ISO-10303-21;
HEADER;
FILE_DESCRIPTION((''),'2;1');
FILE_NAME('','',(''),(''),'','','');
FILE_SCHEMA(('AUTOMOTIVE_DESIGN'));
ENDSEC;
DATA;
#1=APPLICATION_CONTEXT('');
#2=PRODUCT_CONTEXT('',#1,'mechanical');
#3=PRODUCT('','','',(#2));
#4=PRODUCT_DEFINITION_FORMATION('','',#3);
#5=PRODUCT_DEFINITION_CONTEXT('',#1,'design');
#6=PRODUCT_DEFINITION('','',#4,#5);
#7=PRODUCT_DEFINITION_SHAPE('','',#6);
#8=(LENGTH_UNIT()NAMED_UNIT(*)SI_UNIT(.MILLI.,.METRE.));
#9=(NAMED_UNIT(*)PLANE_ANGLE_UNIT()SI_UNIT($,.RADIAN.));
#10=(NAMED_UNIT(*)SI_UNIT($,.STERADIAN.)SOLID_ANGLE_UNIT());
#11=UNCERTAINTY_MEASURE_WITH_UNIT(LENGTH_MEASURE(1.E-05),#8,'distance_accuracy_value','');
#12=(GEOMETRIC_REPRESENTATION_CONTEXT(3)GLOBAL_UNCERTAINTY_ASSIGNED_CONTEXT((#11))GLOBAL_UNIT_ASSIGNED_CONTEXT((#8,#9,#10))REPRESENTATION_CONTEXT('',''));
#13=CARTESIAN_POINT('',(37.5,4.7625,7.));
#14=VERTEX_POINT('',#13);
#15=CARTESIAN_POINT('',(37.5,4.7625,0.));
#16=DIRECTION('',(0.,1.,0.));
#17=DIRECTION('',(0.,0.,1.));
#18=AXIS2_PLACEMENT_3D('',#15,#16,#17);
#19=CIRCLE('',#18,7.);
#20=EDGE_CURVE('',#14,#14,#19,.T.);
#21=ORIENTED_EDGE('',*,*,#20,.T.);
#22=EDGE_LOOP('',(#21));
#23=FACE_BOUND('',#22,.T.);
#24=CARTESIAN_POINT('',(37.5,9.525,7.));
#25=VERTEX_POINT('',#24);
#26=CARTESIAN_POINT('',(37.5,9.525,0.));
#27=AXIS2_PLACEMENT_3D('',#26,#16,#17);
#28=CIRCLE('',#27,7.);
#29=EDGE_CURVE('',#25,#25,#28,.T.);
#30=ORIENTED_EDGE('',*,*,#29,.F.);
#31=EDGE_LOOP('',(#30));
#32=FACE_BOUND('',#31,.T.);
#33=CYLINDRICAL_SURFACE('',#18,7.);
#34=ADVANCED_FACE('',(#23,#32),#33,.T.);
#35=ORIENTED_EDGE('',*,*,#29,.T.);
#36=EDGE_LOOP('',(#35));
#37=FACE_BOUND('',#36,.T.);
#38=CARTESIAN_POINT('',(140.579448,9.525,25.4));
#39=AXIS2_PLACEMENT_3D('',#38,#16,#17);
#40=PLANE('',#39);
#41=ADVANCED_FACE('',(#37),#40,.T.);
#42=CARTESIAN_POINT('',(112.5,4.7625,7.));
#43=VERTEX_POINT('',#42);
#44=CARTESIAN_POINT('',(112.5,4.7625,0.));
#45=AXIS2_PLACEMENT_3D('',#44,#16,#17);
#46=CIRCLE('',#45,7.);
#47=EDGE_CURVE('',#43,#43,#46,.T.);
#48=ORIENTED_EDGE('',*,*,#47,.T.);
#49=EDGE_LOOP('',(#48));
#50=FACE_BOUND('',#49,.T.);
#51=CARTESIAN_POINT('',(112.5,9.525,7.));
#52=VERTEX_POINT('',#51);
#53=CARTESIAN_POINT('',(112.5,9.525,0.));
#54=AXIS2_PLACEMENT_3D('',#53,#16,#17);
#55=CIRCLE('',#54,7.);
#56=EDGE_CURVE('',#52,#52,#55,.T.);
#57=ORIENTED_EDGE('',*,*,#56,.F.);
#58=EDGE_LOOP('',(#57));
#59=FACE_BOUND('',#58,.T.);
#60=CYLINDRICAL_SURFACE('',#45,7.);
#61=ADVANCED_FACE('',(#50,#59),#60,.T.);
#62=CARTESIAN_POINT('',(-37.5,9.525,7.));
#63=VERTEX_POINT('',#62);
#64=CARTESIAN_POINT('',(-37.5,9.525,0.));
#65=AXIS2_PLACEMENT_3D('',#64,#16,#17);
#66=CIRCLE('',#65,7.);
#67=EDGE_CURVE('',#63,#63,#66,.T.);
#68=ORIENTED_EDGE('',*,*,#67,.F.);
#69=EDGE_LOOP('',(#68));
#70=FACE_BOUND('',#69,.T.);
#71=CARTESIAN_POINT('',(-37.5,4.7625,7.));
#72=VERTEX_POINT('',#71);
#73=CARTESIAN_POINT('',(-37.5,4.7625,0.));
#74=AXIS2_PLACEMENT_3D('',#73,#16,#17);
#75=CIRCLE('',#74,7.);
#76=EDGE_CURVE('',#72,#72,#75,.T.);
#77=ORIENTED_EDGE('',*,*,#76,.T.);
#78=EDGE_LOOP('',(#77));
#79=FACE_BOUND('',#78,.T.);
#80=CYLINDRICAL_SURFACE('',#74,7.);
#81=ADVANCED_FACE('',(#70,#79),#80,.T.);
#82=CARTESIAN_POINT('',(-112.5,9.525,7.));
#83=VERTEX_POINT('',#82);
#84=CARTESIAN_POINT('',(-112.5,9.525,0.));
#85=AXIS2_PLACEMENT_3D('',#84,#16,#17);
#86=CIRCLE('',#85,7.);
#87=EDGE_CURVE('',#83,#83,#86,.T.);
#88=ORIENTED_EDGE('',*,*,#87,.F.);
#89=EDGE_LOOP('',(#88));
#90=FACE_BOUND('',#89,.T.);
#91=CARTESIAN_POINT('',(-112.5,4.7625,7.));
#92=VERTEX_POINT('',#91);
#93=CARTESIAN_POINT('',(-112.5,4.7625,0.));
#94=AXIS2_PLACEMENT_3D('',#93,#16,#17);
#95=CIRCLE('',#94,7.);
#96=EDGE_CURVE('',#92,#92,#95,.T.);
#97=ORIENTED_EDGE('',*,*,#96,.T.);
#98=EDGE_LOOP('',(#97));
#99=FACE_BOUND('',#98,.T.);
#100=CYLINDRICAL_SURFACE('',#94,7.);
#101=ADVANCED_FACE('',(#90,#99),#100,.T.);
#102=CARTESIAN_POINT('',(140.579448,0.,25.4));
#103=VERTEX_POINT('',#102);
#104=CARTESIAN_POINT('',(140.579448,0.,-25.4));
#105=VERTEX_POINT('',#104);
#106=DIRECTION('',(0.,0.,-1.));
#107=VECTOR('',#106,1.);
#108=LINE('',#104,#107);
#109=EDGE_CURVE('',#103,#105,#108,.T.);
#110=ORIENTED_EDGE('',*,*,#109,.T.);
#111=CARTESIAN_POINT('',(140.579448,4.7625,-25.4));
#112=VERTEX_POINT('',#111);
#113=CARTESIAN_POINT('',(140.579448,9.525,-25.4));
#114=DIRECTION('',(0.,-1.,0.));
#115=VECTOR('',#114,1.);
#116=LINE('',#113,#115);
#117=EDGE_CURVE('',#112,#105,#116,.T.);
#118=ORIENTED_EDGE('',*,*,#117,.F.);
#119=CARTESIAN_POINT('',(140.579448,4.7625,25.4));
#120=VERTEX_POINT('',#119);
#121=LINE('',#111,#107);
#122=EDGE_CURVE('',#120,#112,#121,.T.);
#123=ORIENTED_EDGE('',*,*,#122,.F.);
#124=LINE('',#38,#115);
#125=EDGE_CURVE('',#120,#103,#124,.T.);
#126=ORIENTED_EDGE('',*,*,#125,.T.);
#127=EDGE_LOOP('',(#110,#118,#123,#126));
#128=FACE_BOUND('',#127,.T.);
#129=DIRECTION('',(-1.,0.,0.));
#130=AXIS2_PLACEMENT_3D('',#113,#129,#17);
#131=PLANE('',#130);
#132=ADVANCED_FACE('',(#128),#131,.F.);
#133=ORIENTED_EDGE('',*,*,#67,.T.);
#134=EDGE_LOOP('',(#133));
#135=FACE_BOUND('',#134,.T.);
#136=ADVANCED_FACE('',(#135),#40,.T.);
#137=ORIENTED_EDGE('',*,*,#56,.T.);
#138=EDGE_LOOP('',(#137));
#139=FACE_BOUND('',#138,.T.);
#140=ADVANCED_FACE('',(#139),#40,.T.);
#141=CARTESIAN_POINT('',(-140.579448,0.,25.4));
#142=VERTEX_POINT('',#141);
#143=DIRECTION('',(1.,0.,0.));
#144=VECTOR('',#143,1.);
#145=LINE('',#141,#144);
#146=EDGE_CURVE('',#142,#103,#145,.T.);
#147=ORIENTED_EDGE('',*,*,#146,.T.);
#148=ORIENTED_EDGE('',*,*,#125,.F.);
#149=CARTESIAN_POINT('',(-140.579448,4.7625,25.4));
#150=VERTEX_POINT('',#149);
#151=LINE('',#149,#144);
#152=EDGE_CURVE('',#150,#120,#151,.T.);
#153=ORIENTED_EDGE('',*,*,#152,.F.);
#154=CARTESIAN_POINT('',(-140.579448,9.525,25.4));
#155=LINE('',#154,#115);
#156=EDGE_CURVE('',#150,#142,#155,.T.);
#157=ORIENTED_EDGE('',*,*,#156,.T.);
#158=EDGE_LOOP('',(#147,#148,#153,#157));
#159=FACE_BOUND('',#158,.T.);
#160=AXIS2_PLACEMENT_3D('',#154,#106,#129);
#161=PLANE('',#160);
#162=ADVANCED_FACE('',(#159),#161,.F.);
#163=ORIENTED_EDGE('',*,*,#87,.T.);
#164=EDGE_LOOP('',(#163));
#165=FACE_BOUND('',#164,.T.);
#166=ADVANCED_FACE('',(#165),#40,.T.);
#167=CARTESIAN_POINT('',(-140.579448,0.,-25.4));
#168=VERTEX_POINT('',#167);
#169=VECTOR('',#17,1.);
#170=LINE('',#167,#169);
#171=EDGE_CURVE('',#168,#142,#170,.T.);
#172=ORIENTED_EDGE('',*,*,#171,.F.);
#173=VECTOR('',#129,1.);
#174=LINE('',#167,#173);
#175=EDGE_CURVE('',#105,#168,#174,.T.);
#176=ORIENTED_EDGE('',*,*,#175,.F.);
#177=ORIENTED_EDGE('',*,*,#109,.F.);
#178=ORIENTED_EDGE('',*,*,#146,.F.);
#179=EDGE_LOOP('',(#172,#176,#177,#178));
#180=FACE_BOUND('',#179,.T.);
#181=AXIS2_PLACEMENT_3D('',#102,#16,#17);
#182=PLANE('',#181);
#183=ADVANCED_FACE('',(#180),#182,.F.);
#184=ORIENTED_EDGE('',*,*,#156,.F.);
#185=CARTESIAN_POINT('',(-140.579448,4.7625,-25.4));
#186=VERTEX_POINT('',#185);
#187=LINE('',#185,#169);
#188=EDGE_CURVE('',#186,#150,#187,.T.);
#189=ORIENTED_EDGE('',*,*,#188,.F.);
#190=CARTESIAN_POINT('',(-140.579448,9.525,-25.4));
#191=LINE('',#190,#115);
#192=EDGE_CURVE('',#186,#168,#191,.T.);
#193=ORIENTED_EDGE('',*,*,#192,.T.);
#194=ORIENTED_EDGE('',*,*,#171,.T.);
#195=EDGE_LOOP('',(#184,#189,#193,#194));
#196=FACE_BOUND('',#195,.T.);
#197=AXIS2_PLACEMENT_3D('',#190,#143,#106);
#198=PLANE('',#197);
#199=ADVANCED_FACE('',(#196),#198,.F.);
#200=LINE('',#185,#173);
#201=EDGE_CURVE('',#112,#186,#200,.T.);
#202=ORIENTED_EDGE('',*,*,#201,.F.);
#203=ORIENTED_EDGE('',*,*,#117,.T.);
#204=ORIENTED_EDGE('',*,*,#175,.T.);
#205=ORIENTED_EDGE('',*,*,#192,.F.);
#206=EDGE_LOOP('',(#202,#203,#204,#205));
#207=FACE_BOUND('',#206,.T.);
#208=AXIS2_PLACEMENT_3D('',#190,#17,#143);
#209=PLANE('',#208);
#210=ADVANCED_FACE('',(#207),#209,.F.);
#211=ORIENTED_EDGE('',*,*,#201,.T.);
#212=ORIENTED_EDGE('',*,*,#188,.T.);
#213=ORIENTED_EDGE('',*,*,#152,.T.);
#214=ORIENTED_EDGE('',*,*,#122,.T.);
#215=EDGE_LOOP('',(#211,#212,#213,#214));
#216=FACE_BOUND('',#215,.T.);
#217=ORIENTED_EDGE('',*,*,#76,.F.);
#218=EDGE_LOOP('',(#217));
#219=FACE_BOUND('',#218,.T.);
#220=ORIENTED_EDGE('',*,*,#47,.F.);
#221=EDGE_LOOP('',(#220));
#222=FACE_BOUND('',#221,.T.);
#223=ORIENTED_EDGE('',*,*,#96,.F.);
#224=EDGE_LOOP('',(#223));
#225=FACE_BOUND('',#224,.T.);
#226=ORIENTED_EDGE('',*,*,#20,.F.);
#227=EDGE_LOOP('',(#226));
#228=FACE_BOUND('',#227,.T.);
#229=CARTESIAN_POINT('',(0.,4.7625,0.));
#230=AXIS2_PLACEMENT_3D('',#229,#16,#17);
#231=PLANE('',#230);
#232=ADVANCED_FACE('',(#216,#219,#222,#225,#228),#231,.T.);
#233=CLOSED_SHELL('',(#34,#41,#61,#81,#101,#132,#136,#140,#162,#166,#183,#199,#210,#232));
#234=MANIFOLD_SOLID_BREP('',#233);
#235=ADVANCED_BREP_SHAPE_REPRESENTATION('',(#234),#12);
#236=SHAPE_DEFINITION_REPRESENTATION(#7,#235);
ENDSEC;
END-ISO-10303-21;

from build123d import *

# Parameters (mm, degrees)
SKETCH1_W           = 281.158896912
SKETCH1_H           = 50.8
BOSS_EXTRUDE1_DEPTH = 9.525
SKETCH2_OUTSIDE_W   = 340.332
SKETCH2_OUTSIDE_H   = 109.974
SKETCH2_OUTSIDE_R   = 7
CUT_EXTRUDE1_DEPTH  = 4.7625


with BuildPart() as part:
    # Sketch1 → Boss-Extrude1 (new body)
    with BuildSketch(Plane(origin=(0, 0, 0), x_dir=(1, 0, 0), z_dir=(0, 1, 0))):
        Rectangle(SKETCH1_W, SKETCH1_H)
    extrude(amount=BOSS_EXTRUDE1_DEPTH)

    # Sketch2 outside → Cut-Extrude1 (cut)
    with BuildSketch(Plane(origin=(0, 9.525, 0), x_dir=(1, 0, 0), z_dir=(0, 1, 0))):
        Rectangle(SKETCH2_OUTSIDE_W, SKETCH2_OUTSIDE_H)
        with Locations((-112.5, 0)):
            Circle(SKETCH2_OUTSIDE_R, mode=Mode.SUBTRACT)
        with Locations((-37.5, 0)):
            Circle(SKETCH2_OUTSIDE_R, mode=Mode.SUBTRACT)
        with Locations((37.5, 0)):
            Circle(SKETCH2_OUTSIDE_R, mode=Mode.SUBTRACT)
        with Locations((112.5, 0)):
            Circle(SKETCH2_OUTSIDE_R, mode=Mode.SUBTRACT)
    extrude(amount=-CUT_EXTRUDE1_DEPTH, mode=Mode.SUBTRACT)


solid = part.part
